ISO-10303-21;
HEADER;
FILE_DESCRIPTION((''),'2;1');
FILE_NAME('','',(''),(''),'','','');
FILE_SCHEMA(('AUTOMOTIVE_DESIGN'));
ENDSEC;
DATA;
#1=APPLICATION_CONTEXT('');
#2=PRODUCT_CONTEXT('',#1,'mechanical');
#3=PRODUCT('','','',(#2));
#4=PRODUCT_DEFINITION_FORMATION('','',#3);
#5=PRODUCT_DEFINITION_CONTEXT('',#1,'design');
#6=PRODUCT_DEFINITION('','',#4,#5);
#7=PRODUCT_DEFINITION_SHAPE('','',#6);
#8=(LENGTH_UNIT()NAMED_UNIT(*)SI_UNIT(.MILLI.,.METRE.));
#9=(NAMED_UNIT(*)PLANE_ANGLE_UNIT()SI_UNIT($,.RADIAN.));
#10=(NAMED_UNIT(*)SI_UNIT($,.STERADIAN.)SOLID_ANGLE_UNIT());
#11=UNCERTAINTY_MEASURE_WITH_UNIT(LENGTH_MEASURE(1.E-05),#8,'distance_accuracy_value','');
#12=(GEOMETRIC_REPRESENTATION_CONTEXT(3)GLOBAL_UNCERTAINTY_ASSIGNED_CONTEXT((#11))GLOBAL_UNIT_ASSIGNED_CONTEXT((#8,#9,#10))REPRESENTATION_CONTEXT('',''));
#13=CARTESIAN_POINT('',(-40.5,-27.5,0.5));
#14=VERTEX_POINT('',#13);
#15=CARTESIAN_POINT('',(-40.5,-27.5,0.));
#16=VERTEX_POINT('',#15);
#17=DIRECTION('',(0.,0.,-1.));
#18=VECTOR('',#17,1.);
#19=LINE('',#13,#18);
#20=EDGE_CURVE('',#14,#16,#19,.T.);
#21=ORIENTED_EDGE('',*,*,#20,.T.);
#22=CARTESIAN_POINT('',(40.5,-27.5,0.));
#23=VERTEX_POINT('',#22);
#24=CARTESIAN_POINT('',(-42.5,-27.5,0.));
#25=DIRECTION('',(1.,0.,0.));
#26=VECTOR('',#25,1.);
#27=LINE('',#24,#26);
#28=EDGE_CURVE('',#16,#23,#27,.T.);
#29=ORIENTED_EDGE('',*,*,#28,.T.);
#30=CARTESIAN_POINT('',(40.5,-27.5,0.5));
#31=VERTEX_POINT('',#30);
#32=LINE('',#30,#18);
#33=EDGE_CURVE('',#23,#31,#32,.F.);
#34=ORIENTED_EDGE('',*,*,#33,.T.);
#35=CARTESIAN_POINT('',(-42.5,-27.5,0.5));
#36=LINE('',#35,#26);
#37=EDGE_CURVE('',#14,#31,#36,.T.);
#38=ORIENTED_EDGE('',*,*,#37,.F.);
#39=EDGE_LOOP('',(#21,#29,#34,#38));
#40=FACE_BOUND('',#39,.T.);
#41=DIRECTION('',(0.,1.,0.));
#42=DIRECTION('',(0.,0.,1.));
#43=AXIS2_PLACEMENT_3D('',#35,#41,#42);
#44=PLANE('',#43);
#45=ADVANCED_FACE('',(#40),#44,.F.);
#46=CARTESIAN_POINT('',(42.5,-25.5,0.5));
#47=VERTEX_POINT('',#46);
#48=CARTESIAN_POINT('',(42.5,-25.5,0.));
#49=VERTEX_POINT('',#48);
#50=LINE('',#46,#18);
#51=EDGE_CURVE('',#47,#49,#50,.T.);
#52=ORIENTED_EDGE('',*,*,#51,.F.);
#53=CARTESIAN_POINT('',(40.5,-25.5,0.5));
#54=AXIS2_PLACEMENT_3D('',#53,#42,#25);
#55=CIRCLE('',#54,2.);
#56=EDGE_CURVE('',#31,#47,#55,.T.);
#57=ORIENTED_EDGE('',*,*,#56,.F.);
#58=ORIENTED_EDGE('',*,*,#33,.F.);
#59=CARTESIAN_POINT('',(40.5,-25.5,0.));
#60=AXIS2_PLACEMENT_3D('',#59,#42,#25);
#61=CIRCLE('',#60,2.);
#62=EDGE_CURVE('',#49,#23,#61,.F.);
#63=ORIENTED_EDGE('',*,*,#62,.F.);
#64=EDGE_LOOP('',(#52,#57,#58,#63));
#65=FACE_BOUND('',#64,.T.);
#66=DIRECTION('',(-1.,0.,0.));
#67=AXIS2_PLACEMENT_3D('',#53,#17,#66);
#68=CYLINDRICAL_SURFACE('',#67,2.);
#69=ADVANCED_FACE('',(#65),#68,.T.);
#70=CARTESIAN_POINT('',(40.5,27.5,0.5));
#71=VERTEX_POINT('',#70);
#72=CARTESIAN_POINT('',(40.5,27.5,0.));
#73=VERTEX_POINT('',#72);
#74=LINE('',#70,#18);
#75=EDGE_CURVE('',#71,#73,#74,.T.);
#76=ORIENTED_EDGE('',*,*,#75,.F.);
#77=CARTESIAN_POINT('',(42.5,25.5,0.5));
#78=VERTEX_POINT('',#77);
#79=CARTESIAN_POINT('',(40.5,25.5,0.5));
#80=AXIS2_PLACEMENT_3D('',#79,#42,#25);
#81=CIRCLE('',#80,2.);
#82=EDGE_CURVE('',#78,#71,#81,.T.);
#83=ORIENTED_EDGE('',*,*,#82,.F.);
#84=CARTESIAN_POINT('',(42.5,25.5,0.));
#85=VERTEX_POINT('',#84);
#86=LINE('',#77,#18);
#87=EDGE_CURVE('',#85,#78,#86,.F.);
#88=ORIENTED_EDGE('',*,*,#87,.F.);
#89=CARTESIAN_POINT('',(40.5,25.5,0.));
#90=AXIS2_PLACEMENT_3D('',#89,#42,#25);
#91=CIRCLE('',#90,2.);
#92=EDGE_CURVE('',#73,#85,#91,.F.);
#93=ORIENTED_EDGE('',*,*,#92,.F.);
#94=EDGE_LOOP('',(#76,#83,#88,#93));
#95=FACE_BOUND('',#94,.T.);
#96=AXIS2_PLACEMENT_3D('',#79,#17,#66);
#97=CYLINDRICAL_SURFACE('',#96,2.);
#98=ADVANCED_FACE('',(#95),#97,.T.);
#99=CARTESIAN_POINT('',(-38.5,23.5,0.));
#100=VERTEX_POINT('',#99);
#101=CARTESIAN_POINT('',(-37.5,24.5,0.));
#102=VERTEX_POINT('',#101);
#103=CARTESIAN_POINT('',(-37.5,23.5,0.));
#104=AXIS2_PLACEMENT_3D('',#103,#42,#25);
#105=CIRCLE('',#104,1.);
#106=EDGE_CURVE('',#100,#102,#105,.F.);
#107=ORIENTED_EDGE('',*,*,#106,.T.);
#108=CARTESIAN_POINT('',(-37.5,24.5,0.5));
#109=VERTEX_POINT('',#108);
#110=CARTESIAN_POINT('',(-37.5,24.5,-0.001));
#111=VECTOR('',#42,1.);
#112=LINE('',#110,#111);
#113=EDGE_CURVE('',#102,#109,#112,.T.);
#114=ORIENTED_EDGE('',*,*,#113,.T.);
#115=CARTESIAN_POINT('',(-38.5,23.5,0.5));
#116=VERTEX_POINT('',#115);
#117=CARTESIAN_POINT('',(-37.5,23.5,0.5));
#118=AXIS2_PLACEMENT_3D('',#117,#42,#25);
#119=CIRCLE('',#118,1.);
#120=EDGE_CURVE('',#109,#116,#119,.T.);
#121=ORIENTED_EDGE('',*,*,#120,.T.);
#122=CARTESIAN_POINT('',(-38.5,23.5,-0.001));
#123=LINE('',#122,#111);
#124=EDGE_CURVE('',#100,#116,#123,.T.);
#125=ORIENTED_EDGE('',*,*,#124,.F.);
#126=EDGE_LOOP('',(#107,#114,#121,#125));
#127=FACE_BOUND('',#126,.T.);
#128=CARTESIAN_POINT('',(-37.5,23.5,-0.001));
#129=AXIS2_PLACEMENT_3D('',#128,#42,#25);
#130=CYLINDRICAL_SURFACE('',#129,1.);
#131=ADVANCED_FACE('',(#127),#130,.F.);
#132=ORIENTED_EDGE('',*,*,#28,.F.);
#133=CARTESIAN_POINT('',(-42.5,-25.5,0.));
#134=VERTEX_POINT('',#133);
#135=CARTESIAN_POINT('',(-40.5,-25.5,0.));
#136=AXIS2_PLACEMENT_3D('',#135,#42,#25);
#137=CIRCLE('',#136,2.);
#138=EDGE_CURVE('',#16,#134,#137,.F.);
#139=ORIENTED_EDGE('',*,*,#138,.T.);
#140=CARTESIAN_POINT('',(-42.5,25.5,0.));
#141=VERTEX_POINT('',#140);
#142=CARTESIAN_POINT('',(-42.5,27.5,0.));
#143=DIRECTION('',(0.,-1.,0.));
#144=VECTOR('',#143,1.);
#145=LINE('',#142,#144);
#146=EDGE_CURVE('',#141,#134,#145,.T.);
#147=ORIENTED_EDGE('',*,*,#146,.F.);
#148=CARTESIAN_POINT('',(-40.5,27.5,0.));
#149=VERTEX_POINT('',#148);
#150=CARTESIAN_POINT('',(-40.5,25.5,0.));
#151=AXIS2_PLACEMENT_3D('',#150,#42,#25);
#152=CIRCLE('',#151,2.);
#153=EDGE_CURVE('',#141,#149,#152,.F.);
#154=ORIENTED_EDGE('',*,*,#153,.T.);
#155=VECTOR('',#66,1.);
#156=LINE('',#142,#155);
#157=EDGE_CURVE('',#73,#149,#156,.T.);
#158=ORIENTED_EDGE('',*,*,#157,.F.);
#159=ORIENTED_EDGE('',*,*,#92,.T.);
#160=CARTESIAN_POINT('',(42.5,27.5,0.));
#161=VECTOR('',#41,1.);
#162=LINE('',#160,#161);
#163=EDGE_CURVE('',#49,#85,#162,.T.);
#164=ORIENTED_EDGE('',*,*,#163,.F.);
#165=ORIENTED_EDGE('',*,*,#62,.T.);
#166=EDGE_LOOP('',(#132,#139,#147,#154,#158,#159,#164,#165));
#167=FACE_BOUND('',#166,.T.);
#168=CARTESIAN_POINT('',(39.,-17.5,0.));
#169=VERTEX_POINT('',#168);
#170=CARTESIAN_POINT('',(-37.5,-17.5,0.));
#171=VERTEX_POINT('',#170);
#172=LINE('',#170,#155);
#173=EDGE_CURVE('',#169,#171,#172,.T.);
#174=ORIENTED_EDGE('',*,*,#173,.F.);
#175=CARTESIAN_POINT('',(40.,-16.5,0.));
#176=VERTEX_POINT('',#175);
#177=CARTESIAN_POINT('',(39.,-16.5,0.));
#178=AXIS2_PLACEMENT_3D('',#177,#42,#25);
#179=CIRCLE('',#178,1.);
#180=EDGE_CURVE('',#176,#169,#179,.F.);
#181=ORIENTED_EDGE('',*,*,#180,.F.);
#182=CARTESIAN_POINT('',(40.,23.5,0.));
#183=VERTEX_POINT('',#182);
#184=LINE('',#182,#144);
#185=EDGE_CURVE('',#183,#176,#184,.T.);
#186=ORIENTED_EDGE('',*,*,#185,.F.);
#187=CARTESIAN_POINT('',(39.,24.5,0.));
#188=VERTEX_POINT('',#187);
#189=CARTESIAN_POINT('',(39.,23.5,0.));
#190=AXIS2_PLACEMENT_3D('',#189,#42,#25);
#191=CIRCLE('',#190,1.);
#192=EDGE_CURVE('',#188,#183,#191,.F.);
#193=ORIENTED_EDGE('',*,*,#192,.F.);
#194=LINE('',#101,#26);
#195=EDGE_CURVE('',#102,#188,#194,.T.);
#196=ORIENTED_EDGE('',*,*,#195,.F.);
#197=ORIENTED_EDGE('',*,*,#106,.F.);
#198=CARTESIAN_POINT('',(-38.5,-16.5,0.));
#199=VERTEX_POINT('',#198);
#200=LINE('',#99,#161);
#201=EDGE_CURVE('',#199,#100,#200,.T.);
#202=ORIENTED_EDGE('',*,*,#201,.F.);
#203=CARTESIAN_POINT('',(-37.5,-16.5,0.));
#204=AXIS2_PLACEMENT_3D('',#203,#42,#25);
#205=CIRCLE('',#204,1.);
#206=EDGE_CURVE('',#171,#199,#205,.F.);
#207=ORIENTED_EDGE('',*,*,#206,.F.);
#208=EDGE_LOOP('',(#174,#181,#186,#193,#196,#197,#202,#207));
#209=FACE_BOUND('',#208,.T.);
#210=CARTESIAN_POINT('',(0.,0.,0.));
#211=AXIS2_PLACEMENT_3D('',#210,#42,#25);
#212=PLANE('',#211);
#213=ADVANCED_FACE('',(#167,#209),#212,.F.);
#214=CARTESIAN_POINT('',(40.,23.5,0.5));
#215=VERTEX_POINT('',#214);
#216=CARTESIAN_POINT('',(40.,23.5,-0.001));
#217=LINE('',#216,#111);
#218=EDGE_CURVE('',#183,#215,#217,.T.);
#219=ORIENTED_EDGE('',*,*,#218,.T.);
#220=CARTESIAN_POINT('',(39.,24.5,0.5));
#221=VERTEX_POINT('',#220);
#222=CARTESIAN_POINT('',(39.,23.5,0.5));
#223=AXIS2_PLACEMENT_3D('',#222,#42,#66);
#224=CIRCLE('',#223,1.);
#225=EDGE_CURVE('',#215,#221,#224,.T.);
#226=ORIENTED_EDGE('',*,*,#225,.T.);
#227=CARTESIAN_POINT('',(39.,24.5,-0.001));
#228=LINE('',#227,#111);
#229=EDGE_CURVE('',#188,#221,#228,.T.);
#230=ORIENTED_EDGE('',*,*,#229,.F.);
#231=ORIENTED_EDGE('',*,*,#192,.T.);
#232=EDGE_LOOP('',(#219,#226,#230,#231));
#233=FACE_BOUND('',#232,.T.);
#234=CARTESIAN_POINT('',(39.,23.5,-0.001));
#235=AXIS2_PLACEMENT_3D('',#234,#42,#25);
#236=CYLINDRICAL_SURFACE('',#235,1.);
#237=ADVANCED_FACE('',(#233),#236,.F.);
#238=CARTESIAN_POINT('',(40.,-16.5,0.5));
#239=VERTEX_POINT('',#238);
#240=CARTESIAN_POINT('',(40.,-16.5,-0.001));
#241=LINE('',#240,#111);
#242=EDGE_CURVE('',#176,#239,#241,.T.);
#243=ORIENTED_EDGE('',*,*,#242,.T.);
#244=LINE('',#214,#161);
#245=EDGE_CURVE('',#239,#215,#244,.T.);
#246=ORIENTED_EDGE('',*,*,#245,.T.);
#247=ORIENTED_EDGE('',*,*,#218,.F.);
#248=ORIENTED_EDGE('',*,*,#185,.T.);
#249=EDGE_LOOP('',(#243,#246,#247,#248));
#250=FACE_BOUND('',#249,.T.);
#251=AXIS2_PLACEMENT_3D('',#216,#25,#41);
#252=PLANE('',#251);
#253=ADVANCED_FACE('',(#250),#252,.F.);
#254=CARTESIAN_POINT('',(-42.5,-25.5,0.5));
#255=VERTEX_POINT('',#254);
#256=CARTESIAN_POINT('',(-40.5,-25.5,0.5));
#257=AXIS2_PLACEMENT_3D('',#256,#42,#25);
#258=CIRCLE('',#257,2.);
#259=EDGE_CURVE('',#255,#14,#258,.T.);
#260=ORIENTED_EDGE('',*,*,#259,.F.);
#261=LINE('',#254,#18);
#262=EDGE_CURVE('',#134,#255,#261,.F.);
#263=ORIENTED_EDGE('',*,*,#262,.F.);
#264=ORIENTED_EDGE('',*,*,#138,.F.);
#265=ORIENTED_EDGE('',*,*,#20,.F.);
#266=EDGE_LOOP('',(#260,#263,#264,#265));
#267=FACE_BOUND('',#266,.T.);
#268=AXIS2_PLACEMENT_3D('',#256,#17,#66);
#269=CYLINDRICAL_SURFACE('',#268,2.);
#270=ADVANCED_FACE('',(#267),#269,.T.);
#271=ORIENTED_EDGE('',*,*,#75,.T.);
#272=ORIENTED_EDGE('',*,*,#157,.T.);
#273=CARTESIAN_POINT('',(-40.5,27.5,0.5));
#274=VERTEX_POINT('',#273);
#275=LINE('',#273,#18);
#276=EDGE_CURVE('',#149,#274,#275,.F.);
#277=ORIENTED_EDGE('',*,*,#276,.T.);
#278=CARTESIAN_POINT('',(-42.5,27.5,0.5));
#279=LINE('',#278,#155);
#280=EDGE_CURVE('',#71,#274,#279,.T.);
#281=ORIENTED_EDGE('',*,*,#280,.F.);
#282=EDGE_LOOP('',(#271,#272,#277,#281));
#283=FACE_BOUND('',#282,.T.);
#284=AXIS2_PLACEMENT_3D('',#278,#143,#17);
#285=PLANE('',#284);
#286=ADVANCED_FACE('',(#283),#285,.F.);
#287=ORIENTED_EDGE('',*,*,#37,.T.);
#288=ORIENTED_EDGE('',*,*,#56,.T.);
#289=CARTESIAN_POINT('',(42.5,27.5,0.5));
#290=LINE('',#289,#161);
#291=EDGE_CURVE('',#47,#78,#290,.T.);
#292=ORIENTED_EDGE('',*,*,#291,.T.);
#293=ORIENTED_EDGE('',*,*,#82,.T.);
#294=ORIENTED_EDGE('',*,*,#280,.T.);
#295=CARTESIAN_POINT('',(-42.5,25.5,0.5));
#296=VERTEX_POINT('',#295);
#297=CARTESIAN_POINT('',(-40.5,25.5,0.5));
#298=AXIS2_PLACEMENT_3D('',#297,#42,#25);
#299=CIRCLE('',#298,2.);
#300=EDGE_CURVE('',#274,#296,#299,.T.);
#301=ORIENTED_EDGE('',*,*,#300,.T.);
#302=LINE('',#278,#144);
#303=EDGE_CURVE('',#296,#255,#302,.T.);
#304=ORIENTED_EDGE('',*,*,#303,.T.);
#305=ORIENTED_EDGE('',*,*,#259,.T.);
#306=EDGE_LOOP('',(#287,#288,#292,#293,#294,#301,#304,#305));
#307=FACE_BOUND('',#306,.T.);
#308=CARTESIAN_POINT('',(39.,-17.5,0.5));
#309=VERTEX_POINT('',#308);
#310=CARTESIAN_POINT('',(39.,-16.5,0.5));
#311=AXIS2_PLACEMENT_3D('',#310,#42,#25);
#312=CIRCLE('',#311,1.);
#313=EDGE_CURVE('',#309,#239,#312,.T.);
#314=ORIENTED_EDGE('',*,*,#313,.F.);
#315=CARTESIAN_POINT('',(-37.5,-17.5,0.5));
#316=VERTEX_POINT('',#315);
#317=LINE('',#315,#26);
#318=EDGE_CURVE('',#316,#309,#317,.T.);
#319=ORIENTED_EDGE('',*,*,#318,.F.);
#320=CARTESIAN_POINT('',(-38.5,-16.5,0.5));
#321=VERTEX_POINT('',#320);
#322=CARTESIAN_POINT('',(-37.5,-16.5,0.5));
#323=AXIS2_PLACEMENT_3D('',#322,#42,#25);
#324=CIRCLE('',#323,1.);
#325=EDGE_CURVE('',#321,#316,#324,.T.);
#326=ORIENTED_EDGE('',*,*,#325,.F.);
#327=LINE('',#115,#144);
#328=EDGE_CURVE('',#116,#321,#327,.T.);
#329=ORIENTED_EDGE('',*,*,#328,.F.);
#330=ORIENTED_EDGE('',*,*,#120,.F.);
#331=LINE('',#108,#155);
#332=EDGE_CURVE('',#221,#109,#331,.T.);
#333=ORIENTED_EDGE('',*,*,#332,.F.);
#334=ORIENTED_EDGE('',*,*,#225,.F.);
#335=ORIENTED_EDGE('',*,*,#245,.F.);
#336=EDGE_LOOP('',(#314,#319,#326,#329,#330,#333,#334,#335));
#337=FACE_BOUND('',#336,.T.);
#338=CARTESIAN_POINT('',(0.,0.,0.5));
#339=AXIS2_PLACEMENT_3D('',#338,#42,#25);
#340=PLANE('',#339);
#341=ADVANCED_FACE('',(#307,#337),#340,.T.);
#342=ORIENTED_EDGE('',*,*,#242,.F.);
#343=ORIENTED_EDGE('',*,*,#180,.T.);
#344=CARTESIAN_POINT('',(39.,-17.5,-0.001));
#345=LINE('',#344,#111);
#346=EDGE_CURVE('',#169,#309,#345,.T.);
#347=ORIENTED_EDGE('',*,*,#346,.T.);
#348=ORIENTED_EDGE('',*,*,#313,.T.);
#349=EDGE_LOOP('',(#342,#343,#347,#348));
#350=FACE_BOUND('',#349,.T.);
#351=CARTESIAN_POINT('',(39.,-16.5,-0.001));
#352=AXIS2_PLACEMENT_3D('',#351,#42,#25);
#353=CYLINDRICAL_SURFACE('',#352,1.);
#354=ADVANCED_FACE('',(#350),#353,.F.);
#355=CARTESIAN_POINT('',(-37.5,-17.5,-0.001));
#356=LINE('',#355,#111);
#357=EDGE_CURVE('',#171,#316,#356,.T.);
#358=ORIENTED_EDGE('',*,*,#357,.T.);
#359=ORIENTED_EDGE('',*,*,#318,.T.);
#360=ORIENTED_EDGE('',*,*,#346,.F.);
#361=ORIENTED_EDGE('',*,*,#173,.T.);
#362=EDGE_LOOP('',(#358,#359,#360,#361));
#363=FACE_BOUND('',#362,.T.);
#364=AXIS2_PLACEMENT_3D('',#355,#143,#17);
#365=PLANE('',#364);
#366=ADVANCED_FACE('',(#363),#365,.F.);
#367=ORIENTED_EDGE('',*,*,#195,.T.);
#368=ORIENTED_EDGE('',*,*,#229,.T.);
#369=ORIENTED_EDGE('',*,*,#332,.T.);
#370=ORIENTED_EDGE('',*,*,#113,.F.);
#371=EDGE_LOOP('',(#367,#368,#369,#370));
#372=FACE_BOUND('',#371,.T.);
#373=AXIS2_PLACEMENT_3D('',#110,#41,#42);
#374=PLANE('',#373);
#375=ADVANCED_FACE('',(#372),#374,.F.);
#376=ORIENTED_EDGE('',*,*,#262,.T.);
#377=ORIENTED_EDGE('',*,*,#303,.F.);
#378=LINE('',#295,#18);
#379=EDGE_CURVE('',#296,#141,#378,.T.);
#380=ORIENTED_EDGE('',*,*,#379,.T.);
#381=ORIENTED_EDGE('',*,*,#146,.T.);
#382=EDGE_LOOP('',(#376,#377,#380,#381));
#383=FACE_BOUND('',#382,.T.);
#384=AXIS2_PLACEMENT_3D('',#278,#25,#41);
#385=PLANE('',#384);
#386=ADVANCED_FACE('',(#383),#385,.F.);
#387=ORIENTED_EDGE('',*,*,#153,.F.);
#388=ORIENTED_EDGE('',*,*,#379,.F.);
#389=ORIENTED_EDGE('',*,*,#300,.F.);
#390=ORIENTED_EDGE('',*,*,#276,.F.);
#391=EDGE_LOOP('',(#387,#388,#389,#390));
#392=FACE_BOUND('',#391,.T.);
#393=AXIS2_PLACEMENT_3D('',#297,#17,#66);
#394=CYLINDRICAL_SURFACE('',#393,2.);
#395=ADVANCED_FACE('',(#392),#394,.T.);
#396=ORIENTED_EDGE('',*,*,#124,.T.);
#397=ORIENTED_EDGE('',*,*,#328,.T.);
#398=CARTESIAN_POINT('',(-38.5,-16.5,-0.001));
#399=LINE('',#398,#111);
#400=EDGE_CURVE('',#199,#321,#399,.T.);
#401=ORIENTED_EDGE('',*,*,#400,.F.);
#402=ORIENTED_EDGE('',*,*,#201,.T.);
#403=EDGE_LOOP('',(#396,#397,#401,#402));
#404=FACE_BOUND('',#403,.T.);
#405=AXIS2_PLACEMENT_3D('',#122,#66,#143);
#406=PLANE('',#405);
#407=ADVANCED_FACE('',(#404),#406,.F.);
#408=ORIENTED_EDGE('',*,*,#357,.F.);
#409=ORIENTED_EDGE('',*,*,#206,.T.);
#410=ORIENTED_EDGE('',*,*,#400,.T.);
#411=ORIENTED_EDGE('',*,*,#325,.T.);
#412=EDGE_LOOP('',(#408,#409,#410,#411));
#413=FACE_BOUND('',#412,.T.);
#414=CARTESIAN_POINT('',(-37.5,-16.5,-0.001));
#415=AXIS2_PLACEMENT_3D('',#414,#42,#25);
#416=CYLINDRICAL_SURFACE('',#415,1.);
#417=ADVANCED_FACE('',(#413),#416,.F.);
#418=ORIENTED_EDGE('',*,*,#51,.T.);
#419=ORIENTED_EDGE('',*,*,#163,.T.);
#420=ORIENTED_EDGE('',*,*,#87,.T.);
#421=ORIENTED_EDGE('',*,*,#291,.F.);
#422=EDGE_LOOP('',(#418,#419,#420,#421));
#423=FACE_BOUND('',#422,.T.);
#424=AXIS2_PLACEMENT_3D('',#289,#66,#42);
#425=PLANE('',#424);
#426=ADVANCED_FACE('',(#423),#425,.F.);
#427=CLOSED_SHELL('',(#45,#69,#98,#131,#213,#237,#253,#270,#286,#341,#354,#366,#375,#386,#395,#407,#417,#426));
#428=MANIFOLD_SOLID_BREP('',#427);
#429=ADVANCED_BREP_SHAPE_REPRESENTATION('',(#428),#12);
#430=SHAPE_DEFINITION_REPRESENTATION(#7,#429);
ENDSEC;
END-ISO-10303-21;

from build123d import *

# Parameters (mm, degrees)
SKETCH_1_W          = 85
SKETCH_1_H          = 55
EXTRUDE_1_DEPTH     = 0.5
CUT_EXTRUDE_1_REACH = 52.624
FILLET_1_R          = 2


with BuildPart() as part:
    # 草图1 → 凸台-拉伸1 (new body)
    with BuildSketch(Plane.XY):
        Rectangle(SKETCH_1_W, SKETCH_1_H)
    extrude(amount=EXTRUDE_1_DEPTH)

    # 草图2 → 切除-拉伸1 (cut, up to next)
    with BuildSketch(Plane.XY.offset(0.5), mode=Mode.PRIVATE) as cut_extrude_1_sk1:
        with BuildLine():
            Line((-37.5, 24.5), (39, 24.5))
            ThreePointArc((39, 24.5), (39.707106781, 24.207106781), (40, 23.5))
            Line((40, 23.5), (40, -16.5))
            ThreePointArc((40, -16.5), (39.707106781, -17.207106781), (39, -17.5))
            Line((39, -17.5), (-37.5, -17.5))
            ThreePointArc((-37.5, -17.5), (-38.207106781, -17.207106781), (-38.5, -16.5))
            Line((-38.5, -16.5), (-38.5, 23.5))
            ThreePointArc((-38.5, 23.5), (-38.207106781, 24.207106781), (-37.5, 24.5))
        make_face()
    cut_extrude_1_tool1 = extrude(cut_extrude_1_sk1.sketch, amount=-CUT_EXTRUDE_1_REACH, mode=Mode.PRIVATE) & part.part
    add(cut_extrude_1_tool1.solids().sort_by_distance((0.75, 3.5, 0.5))[0], mode=Mode.SUBTRACT)

    # 圆角1
    fillet_1_edges = [part.edges().sort_by_distance(p)[0] for p in [
        (42.5, -27.5, 0.25),
        (-42.5, -27.5, 0.25),
        (-42.5, 27.5, 0.25),
        (42.5, 27.5, 0.25),
    ]]
    fillet(fillet_1_edges, radius=FILLET_1_R)


solid = part.part
